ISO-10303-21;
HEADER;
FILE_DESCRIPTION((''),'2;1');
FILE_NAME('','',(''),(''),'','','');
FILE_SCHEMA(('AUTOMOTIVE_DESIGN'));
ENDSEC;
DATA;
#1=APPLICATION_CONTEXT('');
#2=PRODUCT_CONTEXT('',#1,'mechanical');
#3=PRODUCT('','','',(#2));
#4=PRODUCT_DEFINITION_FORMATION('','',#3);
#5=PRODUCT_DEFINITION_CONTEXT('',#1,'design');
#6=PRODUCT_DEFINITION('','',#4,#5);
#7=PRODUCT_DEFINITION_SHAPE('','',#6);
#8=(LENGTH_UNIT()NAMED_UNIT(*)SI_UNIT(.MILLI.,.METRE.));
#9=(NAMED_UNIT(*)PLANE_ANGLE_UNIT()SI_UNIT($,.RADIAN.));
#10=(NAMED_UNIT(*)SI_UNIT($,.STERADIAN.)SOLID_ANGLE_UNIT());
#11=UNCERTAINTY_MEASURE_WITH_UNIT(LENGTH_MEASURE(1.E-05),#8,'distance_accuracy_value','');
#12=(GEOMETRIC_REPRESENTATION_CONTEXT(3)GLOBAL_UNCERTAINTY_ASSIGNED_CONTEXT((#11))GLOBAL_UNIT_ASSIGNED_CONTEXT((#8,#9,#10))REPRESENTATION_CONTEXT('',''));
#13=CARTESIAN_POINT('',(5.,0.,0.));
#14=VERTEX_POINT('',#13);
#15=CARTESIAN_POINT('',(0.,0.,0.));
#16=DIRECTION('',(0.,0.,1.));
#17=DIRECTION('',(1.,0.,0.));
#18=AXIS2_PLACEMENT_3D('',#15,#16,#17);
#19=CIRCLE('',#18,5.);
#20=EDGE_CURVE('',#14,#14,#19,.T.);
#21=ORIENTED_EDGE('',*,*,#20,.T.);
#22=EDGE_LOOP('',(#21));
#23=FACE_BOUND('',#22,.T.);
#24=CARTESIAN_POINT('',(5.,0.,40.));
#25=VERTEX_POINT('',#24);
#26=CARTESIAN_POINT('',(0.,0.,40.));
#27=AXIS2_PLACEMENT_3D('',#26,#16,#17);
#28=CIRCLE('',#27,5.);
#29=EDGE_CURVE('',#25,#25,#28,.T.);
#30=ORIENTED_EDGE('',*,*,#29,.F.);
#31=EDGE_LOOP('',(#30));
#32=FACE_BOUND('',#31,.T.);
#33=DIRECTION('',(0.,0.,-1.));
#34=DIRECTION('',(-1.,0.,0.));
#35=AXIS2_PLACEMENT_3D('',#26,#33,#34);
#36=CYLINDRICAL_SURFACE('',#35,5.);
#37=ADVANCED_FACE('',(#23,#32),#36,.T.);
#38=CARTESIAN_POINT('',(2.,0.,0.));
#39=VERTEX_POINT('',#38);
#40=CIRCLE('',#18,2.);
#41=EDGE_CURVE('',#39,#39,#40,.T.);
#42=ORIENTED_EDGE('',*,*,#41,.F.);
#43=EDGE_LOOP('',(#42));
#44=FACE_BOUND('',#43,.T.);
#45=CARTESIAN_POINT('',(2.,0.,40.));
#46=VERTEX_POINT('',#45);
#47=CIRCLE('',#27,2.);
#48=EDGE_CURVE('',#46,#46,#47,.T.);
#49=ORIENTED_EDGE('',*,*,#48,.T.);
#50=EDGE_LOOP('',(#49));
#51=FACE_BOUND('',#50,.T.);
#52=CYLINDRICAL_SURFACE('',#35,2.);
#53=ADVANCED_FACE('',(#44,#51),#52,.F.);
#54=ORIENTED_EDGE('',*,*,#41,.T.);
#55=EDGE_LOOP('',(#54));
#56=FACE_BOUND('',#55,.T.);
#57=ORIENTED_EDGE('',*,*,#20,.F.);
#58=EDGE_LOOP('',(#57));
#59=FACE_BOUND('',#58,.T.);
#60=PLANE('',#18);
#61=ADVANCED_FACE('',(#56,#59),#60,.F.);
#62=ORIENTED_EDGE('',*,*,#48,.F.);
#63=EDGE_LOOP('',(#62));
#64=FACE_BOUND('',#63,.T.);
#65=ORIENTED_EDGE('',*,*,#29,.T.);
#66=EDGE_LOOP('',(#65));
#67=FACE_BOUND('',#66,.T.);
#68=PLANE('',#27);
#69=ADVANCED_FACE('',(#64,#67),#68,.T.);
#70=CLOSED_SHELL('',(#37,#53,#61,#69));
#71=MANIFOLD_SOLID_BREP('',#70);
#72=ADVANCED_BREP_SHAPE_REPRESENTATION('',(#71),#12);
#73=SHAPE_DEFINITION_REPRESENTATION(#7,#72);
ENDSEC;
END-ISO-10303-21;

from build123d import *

# Parameters (mm, degrees)
SKETCH_1_R      = 5
SKETCH_1_R_2    = 2
EXTRUDE_1_DEPTH = 40


with BuildPart() as part:
    # 草圖1 → 填料-伸長1 (new body)
    with BuildSketch(Plane.XY):
        Circle(SKETCH_1_R)
        Circle(SKETCH_1_R_2, mode=Mode.SUBTRACT)
    extrude(amount=EXTRUDE_1_DEPTH)


solid = part.part
